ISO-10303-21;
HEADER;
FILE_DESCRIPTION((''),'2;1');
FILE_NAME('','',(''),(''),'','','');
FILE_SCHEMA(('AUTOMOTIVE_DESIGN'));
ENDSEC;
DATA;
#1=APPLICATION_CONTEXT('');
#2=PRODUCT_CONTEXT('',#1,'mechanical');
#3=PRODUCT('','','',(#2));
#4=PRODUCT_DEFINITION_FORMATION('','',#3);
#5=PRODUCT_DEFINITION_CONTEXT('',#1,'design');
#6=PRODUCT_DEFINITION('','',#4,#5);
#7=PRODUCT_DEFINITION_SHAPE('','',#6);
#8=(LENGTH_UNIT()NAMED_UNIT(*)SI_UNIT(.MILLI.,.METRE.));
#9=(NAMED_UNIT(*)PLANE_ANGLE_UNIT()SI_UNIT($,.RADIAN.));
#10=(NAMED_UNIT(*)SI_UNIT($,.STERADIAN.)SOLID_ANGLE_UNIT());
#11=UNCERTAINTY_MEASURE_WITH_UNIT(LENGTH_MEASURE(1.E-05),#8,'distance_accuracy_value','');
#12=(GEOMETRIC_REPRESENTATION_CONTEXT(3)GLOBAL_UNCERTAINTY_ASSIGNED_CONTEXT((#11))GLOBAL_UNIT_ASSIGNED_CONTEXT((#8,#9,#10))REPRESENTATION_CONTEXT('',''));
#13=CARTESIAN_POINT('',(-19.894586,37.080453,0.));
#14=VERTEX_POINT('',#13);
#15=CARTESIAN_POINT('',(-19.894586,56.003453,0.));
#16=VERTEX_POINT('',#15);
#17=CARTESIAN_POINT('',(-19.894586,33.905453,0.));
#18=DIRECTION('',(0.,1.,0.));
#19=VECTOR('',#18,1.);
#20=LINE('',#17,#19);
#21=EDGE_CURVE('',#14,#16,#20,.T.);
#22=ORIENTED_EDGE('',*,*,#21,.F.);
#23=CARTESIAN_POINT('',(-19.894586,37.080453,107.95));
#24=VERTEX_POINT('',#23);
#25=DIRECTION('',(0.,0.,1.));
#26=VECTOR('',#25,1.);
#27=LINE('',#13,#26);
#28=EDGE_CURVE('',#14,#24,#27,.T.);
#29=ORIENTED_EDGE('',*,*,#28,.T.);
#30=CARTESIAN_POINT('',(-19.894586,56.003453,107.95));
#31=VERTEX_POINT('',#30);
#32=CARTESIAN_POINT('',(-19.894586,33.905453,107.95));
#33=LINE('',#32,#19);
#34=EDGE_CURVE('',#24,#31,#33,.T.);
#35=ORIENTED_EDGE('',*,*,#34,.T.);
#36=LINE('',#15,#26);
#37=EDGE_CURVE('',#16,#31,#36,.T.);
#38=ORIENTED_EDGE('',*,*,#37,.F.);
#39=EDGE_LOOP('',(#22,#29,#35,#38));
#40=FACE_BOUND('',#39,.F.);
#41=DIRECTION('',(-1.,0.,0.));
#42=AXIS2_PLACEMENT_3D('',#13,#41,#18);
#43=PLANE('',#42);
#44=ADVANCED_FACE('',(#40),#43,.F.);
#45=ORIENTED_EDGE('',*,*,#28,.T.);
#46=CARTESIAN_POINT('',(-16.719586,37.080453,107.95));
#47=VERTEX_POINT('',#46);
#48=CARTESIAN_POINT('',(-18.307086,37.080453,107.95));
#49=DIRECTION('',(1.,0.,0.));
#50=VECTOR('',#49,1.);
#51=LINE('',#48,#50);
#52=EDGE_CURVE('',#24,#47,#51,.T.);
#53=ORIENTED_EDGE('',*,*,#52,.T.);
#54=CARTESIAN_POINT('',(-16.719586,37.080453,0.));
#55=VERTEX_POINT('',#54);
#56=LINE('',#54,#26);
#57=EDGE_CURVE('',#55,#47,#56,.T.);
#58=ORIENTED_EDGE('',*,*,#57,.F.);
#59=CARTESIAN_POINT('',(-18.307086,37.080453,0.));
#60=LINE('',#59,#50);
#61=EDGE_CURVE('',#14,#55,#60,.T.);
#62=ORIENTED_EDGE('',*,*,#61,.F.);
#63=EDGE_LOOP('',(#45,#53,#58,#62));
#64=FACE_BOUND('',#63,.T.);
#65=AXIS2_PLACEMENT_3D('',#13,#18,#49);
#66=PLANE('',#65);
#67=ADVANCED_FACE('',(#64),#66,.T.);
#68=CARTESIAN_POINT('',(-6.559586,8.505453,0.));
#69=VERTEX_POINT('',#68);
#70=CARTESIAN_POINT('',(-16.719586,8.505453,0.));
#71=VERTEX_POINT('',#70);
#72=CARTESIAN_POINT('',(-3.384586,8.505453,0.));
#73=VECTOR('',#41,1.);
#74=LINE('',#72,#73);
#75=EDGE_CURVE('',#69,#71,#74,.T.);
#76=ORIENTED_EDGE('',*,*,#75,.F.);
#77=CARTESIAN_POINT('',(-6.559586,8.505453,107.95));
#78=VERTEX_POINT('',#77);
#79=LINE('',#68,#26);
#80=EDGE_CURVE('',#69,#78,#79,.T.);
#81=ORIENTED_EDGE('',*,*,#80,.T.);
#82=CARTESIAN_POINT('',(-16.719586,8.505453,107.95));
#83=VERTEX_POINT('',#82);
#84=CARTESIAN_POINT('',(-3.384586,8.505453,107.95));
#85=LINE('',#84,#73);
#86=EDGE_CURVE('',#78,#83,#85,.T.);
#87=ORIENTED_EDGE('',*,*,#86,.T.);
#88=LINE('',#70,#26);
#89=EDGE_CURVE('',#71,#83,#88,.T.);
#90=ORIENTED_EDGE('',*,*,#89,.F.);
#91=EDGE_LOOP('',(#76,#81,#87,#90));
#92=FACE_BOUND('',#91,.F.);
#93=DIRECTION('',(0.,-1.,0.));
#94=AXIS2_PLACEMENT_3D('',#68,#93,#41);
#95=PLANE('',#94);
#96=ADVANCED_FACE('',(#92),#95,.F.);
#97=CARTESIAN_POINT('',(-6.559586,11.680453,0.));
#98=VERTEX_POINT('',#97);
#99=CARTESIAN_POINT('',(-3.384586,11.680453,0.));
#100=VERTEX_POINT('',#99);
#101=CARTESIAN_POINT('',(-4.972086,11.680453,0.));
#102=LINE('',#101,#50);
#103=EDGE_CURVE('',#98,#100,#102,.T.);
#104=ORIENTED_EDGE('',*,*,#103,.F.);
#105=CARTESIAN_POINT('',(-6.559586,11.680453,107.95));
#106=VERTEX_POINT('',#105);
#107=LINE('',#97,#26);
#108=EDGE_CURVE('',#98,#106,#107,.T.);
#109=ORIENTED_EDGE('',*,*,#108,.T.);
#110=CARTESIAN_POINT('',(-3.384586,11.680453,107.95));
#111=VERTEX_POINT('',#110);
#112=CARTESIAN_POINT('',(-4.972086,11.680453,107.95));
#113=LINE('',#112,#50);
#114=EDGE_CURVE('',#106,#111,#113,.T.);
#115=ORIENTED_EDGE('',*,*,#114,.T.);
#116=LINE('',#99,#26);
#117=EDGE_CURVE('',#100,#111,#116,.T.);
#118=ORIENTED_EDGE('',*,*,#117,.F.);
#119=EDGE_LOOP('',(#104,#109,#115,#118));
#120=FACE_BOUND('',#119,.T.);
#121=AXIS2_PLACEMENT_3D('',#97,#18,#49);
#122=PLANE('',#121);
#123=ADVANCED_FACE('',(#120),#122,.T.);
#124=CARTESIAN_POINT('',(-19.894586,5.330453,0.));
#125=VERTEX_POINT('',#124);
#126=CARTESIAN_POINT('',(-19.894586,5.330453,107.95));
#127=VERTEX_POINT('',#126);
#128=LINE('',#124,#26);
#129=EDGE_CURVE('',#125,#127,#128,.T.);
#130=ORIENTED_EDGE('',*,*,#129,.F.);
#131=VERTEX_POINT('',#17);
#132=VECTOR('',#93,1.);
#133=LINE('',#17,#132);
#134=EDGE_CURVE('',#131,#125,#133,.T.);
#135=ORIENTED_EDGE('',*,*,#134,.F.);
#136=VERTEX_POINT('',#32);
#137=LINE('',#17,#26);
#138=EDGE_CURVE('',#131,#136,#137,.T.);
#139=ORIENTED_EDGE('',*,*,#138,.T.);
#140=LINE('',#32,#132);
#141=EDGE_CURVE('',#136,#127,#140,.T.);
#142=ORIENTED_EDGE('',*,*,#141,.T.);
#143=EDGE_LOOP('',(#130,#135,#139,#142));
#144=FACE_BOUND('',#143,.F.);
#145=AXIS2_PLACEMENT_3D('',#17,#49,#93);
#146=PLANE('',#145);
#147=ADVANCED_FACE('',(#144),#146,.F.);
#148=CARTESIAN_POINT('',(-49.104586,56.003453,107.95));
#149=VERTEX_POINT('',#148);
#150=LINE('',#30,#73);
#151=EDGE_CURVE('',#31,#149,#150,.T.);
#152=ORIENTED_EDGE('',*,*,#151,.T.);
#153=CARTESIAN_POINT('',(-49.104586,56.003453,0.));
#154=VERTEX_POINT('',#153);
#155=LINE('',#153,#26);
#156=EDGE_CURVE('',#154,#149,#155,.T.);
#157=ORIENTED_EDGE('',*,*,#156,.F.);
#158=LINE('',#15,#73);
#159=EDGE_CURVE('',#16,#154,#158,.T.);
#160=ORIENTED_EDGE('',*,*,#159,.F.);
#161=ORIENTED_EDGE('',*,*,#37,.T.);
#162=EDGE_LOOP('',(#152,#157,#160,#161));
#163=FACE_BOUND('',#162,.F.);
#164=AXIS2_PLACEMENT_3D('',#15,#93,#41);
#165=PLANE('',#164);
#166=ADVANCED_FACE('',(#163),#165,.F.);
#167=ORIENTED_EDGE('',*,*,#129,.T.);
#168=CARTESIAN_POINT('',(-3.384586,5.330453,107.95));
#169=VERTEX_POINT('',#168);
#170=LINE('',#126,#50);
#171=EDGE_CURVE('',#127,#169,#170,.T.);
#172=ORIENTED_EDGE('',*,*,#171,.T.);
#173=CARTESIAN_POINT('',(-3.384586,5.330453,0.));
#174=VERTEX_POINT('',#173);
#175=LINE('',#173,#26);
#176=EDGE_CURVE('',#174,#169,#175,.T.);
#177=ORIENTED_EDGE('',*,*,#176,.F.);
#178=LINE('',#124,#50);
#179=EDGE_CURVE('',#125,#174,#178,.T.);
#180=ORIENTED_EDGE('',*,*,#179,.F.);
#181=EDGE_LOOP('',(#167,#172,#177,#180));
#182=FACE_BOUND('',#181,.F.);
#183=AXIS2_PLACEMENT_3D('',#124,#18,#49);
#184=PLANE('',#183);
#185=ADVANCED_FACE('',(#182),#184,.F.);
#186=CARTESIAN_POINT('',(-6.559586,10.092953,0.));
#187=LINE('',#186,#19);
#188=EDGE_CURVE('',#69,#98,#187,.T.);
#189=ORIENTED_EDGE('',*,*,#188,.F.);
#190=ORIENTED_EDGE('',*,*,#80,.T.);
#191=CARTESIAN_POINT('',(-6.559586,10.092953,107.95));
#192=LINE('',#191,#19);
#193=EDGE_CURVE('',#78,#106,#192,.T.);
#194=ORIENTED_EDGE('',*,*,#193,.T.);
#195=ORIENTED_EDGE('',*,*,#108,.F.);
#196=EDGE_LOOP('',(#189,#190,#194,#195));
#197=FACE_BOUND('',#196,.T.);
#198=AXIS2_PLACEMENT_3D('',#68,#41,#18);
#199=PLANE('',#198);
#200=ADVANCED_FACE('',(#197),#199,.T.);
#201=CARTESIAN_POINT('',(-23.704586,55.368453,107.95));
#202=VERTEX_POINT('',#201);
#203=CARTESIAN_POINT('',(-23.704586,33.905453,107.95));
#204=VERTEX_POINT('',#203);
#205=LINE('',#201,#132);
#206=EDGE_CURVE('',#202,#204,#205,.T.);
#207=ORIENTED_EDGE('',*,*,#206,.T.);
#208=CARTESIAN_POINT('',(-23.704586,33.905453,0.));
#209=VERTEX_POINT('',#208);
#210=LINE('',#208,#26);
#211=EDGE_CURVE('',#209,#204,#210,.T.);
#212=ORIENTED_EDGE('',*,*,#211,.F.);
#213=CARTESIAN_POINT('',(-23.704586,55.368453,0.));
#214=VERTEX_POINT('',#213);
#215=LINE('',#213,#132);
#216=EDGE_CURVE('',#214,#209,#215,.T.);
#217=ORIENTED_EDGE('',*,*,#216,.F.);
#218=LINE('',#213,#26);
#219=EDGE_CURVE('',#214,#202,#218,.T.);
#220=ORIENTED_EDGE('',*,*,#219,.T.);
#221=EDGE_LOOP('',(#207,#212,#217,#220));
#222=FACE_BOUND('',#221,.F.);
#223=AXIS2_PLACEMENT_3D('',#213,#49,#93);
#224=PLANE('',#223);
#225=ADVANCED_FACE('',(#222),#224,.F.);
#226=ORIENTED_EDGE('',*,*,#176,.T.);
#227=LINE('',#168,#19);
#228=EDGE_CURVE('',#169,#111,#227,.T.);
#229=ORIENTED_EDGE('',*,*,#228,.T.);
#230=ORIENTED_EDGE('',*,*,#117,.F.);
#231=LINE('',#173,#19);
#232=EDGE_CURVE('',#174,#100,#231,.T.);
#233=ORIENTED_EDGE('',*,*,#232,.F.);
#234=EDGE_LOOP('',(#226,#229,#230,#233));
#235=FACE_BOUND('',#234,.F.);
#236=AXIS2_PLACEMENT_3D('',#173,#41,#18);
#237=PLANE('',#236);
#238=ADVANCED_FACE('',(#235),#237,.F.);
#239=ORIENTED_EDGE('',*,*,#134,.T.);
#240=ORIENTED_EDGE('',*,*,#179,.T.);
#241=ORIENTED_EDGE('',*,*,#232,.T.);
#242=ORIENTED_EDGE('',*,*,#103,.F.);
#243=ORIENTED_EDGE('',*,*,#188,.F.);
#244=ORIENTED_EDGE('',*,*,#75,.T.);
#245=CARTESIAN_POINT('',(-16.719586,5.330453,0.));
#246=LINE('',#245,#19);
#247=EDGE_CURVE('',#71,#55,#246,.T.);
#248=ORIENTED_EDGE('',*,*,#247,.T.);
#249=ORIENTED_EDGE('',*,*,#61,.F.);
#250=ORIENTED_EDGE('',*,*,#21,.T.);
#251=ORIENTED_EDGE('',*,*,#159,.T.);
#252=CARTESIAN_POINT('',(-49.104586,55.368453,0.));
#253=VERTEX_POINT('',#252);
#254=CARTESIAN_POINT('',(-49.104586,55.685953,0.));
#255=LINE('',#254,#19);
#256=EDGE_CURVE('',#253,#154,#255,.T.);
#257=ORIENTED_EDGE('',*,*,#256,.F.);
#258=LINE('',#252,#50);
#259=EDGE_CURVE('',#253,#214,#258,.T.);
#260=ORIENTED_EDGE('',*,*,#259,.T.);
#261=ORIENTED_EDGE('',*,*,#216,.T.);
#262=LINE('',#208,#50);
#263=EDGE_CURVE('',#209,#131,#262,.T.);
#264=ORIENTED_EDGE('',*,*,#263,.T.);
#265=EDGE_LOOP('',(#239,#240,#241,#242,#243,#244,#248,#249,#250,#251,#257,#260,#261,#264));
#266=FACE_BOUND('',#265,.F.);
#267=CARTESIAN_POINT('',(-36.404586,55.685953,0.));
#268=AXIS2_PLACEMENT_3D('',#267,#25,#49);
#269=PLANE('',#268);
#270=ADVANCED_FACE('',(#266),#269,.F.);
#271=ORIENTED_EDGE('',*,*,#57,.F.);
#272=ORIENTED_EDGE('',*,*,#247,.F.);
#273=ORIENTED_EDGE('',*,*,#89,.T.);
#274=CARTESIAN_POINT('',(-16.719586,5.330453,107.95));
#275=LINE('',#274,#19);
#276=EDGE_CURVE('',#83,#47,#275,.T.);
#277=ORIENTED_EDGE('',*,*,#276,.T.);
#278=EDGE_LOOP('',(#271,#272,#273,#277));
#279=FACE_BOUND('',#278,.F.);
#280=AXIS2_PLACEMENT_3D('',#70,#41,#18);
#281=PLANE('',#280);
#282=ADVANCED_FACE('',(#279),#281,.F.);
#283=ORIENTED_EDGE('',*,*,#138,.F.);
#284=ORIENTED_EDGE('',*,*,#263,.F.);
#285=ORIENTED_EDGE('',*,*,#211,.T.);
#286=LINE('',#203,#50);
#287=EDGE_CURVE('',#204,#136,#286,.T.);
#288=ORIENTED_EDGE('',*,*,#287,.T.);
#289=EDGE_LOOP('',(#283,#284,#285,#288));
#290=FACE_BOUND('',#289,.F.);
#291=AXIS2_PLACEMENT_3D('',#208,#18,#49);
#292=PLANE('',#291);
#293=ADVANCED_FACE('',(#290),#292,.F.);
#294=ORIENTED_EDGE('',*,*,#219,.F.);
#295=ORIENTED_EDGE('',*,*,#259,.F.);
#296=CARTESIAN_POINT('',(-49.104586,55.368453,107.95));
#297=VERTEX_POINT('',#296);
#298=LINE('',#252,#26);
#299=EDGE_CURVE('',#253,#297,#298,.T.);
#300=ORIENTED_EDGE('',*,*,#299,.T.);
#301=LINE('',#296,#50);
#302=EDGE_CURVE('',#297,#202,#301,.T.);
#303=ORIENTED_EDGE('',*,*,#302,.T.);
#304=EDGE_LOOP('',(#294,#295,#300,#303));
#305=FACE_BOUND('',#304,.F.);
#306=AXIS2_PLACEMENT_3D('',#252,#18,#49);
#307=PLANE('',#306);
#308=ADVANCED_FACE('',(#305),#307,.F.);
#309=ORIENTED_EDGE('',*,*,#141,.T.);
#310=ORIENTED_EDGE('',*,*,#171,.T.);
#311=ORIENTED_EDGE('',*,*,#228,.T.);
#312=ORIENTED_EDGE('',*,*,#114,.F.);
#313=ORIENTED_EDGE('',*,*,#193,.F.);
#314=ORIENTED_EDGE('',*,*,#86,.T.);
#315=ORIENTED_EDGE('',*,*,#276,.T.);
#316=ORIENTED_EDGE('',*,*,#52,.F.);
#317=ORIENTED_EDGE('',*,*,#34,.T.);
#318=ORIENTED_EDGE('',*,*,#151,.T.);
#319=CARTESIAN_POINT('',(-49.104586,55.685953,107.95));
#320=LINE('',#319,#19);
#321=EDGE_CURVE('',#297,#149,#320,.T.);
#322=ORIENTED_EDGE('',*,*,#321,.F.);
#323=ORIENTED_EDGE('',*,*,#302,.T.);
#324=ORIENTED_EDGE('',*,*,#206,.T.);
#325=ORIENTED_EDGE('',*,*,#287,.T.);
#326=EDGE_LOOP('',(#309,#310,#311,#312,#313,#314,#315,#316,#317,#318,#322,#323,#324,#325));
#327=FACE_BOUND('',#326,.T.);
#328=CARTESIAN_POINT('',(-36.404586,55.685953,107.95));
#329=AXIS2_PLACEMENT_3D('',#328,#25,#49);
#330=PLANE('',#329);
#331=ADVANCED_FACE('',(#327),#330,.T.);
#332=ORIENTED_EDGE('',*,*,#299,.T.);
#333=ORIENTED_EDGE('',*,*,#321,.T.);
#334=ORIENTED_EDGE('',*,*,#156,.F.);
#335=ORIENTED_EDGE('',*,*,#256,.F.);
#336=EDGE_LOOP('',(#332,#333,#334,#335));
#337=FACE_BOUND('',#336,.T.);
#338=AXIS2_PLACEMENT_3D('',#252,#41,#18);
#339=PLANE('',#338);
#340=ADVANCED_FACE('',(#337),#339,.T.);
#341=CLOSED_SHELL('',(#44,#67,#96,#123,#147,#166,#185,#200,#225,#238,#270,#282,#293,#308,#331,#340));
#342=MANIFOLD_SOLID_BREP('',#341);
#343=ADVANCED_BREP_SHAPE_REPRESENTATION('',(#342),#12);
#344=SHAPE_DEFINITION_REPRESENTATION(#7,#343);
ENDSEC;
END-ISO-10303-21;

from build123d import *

# Parameters (mm, degrees)
F0_W     = 25.4
F0_H     = 0.635
F0_W_2   = 3.81
F0_H_2   = 18.288
F0_H_3   = 3.175
F0_W_3   = 3.175
F0_H_4   = 25.4
F0_W_4   = 10.16
F1_DEPTH = 107.95


with BuildPart() as f1:
    # F0 (on Top) → F1 (new body)
    with BuildSketch(Plane.XY):
        with Locations((-36.404586, 55.685953)):
            Rectangle(F0_W, F0_H)
        with Locations((-21.799586, 55.685953)):
            Rectangle(F0_W_2, F0_H)
        with Locations((-21.799586, 46.224453)):
            Rectangle(F0_W_2, F0_H_2)
        with Locations((-21.799586, 35.492953)):
            Rectangle(F0_W_2, F0_H_3)
        with Locations((-18.307086, 35.492953)):
            Rectangle(F0_W_3, F0_H_3)
        with Locations((-18.307086, 21.205453)):
            Rectangle(F0_W_3, F0_H_4)
        with Locations((-18.307086, 6.917953)):
            Rectangle(F0_W_3, F0_H_3)
        with Locations((-11.639586, 6.917953)):
            Rectangle(F0_W_4, F0_H_3)
        with Locations((-4.972086, 6.917953)):
            Rectangle(F0_W_3, F0_H_3)
        with Locations((-4.972086, 10.092953)):
            Rectangle(F0_W_3, F0_H_3)
    extrude(amount=F1_DEPTH)


solid = f1.part
